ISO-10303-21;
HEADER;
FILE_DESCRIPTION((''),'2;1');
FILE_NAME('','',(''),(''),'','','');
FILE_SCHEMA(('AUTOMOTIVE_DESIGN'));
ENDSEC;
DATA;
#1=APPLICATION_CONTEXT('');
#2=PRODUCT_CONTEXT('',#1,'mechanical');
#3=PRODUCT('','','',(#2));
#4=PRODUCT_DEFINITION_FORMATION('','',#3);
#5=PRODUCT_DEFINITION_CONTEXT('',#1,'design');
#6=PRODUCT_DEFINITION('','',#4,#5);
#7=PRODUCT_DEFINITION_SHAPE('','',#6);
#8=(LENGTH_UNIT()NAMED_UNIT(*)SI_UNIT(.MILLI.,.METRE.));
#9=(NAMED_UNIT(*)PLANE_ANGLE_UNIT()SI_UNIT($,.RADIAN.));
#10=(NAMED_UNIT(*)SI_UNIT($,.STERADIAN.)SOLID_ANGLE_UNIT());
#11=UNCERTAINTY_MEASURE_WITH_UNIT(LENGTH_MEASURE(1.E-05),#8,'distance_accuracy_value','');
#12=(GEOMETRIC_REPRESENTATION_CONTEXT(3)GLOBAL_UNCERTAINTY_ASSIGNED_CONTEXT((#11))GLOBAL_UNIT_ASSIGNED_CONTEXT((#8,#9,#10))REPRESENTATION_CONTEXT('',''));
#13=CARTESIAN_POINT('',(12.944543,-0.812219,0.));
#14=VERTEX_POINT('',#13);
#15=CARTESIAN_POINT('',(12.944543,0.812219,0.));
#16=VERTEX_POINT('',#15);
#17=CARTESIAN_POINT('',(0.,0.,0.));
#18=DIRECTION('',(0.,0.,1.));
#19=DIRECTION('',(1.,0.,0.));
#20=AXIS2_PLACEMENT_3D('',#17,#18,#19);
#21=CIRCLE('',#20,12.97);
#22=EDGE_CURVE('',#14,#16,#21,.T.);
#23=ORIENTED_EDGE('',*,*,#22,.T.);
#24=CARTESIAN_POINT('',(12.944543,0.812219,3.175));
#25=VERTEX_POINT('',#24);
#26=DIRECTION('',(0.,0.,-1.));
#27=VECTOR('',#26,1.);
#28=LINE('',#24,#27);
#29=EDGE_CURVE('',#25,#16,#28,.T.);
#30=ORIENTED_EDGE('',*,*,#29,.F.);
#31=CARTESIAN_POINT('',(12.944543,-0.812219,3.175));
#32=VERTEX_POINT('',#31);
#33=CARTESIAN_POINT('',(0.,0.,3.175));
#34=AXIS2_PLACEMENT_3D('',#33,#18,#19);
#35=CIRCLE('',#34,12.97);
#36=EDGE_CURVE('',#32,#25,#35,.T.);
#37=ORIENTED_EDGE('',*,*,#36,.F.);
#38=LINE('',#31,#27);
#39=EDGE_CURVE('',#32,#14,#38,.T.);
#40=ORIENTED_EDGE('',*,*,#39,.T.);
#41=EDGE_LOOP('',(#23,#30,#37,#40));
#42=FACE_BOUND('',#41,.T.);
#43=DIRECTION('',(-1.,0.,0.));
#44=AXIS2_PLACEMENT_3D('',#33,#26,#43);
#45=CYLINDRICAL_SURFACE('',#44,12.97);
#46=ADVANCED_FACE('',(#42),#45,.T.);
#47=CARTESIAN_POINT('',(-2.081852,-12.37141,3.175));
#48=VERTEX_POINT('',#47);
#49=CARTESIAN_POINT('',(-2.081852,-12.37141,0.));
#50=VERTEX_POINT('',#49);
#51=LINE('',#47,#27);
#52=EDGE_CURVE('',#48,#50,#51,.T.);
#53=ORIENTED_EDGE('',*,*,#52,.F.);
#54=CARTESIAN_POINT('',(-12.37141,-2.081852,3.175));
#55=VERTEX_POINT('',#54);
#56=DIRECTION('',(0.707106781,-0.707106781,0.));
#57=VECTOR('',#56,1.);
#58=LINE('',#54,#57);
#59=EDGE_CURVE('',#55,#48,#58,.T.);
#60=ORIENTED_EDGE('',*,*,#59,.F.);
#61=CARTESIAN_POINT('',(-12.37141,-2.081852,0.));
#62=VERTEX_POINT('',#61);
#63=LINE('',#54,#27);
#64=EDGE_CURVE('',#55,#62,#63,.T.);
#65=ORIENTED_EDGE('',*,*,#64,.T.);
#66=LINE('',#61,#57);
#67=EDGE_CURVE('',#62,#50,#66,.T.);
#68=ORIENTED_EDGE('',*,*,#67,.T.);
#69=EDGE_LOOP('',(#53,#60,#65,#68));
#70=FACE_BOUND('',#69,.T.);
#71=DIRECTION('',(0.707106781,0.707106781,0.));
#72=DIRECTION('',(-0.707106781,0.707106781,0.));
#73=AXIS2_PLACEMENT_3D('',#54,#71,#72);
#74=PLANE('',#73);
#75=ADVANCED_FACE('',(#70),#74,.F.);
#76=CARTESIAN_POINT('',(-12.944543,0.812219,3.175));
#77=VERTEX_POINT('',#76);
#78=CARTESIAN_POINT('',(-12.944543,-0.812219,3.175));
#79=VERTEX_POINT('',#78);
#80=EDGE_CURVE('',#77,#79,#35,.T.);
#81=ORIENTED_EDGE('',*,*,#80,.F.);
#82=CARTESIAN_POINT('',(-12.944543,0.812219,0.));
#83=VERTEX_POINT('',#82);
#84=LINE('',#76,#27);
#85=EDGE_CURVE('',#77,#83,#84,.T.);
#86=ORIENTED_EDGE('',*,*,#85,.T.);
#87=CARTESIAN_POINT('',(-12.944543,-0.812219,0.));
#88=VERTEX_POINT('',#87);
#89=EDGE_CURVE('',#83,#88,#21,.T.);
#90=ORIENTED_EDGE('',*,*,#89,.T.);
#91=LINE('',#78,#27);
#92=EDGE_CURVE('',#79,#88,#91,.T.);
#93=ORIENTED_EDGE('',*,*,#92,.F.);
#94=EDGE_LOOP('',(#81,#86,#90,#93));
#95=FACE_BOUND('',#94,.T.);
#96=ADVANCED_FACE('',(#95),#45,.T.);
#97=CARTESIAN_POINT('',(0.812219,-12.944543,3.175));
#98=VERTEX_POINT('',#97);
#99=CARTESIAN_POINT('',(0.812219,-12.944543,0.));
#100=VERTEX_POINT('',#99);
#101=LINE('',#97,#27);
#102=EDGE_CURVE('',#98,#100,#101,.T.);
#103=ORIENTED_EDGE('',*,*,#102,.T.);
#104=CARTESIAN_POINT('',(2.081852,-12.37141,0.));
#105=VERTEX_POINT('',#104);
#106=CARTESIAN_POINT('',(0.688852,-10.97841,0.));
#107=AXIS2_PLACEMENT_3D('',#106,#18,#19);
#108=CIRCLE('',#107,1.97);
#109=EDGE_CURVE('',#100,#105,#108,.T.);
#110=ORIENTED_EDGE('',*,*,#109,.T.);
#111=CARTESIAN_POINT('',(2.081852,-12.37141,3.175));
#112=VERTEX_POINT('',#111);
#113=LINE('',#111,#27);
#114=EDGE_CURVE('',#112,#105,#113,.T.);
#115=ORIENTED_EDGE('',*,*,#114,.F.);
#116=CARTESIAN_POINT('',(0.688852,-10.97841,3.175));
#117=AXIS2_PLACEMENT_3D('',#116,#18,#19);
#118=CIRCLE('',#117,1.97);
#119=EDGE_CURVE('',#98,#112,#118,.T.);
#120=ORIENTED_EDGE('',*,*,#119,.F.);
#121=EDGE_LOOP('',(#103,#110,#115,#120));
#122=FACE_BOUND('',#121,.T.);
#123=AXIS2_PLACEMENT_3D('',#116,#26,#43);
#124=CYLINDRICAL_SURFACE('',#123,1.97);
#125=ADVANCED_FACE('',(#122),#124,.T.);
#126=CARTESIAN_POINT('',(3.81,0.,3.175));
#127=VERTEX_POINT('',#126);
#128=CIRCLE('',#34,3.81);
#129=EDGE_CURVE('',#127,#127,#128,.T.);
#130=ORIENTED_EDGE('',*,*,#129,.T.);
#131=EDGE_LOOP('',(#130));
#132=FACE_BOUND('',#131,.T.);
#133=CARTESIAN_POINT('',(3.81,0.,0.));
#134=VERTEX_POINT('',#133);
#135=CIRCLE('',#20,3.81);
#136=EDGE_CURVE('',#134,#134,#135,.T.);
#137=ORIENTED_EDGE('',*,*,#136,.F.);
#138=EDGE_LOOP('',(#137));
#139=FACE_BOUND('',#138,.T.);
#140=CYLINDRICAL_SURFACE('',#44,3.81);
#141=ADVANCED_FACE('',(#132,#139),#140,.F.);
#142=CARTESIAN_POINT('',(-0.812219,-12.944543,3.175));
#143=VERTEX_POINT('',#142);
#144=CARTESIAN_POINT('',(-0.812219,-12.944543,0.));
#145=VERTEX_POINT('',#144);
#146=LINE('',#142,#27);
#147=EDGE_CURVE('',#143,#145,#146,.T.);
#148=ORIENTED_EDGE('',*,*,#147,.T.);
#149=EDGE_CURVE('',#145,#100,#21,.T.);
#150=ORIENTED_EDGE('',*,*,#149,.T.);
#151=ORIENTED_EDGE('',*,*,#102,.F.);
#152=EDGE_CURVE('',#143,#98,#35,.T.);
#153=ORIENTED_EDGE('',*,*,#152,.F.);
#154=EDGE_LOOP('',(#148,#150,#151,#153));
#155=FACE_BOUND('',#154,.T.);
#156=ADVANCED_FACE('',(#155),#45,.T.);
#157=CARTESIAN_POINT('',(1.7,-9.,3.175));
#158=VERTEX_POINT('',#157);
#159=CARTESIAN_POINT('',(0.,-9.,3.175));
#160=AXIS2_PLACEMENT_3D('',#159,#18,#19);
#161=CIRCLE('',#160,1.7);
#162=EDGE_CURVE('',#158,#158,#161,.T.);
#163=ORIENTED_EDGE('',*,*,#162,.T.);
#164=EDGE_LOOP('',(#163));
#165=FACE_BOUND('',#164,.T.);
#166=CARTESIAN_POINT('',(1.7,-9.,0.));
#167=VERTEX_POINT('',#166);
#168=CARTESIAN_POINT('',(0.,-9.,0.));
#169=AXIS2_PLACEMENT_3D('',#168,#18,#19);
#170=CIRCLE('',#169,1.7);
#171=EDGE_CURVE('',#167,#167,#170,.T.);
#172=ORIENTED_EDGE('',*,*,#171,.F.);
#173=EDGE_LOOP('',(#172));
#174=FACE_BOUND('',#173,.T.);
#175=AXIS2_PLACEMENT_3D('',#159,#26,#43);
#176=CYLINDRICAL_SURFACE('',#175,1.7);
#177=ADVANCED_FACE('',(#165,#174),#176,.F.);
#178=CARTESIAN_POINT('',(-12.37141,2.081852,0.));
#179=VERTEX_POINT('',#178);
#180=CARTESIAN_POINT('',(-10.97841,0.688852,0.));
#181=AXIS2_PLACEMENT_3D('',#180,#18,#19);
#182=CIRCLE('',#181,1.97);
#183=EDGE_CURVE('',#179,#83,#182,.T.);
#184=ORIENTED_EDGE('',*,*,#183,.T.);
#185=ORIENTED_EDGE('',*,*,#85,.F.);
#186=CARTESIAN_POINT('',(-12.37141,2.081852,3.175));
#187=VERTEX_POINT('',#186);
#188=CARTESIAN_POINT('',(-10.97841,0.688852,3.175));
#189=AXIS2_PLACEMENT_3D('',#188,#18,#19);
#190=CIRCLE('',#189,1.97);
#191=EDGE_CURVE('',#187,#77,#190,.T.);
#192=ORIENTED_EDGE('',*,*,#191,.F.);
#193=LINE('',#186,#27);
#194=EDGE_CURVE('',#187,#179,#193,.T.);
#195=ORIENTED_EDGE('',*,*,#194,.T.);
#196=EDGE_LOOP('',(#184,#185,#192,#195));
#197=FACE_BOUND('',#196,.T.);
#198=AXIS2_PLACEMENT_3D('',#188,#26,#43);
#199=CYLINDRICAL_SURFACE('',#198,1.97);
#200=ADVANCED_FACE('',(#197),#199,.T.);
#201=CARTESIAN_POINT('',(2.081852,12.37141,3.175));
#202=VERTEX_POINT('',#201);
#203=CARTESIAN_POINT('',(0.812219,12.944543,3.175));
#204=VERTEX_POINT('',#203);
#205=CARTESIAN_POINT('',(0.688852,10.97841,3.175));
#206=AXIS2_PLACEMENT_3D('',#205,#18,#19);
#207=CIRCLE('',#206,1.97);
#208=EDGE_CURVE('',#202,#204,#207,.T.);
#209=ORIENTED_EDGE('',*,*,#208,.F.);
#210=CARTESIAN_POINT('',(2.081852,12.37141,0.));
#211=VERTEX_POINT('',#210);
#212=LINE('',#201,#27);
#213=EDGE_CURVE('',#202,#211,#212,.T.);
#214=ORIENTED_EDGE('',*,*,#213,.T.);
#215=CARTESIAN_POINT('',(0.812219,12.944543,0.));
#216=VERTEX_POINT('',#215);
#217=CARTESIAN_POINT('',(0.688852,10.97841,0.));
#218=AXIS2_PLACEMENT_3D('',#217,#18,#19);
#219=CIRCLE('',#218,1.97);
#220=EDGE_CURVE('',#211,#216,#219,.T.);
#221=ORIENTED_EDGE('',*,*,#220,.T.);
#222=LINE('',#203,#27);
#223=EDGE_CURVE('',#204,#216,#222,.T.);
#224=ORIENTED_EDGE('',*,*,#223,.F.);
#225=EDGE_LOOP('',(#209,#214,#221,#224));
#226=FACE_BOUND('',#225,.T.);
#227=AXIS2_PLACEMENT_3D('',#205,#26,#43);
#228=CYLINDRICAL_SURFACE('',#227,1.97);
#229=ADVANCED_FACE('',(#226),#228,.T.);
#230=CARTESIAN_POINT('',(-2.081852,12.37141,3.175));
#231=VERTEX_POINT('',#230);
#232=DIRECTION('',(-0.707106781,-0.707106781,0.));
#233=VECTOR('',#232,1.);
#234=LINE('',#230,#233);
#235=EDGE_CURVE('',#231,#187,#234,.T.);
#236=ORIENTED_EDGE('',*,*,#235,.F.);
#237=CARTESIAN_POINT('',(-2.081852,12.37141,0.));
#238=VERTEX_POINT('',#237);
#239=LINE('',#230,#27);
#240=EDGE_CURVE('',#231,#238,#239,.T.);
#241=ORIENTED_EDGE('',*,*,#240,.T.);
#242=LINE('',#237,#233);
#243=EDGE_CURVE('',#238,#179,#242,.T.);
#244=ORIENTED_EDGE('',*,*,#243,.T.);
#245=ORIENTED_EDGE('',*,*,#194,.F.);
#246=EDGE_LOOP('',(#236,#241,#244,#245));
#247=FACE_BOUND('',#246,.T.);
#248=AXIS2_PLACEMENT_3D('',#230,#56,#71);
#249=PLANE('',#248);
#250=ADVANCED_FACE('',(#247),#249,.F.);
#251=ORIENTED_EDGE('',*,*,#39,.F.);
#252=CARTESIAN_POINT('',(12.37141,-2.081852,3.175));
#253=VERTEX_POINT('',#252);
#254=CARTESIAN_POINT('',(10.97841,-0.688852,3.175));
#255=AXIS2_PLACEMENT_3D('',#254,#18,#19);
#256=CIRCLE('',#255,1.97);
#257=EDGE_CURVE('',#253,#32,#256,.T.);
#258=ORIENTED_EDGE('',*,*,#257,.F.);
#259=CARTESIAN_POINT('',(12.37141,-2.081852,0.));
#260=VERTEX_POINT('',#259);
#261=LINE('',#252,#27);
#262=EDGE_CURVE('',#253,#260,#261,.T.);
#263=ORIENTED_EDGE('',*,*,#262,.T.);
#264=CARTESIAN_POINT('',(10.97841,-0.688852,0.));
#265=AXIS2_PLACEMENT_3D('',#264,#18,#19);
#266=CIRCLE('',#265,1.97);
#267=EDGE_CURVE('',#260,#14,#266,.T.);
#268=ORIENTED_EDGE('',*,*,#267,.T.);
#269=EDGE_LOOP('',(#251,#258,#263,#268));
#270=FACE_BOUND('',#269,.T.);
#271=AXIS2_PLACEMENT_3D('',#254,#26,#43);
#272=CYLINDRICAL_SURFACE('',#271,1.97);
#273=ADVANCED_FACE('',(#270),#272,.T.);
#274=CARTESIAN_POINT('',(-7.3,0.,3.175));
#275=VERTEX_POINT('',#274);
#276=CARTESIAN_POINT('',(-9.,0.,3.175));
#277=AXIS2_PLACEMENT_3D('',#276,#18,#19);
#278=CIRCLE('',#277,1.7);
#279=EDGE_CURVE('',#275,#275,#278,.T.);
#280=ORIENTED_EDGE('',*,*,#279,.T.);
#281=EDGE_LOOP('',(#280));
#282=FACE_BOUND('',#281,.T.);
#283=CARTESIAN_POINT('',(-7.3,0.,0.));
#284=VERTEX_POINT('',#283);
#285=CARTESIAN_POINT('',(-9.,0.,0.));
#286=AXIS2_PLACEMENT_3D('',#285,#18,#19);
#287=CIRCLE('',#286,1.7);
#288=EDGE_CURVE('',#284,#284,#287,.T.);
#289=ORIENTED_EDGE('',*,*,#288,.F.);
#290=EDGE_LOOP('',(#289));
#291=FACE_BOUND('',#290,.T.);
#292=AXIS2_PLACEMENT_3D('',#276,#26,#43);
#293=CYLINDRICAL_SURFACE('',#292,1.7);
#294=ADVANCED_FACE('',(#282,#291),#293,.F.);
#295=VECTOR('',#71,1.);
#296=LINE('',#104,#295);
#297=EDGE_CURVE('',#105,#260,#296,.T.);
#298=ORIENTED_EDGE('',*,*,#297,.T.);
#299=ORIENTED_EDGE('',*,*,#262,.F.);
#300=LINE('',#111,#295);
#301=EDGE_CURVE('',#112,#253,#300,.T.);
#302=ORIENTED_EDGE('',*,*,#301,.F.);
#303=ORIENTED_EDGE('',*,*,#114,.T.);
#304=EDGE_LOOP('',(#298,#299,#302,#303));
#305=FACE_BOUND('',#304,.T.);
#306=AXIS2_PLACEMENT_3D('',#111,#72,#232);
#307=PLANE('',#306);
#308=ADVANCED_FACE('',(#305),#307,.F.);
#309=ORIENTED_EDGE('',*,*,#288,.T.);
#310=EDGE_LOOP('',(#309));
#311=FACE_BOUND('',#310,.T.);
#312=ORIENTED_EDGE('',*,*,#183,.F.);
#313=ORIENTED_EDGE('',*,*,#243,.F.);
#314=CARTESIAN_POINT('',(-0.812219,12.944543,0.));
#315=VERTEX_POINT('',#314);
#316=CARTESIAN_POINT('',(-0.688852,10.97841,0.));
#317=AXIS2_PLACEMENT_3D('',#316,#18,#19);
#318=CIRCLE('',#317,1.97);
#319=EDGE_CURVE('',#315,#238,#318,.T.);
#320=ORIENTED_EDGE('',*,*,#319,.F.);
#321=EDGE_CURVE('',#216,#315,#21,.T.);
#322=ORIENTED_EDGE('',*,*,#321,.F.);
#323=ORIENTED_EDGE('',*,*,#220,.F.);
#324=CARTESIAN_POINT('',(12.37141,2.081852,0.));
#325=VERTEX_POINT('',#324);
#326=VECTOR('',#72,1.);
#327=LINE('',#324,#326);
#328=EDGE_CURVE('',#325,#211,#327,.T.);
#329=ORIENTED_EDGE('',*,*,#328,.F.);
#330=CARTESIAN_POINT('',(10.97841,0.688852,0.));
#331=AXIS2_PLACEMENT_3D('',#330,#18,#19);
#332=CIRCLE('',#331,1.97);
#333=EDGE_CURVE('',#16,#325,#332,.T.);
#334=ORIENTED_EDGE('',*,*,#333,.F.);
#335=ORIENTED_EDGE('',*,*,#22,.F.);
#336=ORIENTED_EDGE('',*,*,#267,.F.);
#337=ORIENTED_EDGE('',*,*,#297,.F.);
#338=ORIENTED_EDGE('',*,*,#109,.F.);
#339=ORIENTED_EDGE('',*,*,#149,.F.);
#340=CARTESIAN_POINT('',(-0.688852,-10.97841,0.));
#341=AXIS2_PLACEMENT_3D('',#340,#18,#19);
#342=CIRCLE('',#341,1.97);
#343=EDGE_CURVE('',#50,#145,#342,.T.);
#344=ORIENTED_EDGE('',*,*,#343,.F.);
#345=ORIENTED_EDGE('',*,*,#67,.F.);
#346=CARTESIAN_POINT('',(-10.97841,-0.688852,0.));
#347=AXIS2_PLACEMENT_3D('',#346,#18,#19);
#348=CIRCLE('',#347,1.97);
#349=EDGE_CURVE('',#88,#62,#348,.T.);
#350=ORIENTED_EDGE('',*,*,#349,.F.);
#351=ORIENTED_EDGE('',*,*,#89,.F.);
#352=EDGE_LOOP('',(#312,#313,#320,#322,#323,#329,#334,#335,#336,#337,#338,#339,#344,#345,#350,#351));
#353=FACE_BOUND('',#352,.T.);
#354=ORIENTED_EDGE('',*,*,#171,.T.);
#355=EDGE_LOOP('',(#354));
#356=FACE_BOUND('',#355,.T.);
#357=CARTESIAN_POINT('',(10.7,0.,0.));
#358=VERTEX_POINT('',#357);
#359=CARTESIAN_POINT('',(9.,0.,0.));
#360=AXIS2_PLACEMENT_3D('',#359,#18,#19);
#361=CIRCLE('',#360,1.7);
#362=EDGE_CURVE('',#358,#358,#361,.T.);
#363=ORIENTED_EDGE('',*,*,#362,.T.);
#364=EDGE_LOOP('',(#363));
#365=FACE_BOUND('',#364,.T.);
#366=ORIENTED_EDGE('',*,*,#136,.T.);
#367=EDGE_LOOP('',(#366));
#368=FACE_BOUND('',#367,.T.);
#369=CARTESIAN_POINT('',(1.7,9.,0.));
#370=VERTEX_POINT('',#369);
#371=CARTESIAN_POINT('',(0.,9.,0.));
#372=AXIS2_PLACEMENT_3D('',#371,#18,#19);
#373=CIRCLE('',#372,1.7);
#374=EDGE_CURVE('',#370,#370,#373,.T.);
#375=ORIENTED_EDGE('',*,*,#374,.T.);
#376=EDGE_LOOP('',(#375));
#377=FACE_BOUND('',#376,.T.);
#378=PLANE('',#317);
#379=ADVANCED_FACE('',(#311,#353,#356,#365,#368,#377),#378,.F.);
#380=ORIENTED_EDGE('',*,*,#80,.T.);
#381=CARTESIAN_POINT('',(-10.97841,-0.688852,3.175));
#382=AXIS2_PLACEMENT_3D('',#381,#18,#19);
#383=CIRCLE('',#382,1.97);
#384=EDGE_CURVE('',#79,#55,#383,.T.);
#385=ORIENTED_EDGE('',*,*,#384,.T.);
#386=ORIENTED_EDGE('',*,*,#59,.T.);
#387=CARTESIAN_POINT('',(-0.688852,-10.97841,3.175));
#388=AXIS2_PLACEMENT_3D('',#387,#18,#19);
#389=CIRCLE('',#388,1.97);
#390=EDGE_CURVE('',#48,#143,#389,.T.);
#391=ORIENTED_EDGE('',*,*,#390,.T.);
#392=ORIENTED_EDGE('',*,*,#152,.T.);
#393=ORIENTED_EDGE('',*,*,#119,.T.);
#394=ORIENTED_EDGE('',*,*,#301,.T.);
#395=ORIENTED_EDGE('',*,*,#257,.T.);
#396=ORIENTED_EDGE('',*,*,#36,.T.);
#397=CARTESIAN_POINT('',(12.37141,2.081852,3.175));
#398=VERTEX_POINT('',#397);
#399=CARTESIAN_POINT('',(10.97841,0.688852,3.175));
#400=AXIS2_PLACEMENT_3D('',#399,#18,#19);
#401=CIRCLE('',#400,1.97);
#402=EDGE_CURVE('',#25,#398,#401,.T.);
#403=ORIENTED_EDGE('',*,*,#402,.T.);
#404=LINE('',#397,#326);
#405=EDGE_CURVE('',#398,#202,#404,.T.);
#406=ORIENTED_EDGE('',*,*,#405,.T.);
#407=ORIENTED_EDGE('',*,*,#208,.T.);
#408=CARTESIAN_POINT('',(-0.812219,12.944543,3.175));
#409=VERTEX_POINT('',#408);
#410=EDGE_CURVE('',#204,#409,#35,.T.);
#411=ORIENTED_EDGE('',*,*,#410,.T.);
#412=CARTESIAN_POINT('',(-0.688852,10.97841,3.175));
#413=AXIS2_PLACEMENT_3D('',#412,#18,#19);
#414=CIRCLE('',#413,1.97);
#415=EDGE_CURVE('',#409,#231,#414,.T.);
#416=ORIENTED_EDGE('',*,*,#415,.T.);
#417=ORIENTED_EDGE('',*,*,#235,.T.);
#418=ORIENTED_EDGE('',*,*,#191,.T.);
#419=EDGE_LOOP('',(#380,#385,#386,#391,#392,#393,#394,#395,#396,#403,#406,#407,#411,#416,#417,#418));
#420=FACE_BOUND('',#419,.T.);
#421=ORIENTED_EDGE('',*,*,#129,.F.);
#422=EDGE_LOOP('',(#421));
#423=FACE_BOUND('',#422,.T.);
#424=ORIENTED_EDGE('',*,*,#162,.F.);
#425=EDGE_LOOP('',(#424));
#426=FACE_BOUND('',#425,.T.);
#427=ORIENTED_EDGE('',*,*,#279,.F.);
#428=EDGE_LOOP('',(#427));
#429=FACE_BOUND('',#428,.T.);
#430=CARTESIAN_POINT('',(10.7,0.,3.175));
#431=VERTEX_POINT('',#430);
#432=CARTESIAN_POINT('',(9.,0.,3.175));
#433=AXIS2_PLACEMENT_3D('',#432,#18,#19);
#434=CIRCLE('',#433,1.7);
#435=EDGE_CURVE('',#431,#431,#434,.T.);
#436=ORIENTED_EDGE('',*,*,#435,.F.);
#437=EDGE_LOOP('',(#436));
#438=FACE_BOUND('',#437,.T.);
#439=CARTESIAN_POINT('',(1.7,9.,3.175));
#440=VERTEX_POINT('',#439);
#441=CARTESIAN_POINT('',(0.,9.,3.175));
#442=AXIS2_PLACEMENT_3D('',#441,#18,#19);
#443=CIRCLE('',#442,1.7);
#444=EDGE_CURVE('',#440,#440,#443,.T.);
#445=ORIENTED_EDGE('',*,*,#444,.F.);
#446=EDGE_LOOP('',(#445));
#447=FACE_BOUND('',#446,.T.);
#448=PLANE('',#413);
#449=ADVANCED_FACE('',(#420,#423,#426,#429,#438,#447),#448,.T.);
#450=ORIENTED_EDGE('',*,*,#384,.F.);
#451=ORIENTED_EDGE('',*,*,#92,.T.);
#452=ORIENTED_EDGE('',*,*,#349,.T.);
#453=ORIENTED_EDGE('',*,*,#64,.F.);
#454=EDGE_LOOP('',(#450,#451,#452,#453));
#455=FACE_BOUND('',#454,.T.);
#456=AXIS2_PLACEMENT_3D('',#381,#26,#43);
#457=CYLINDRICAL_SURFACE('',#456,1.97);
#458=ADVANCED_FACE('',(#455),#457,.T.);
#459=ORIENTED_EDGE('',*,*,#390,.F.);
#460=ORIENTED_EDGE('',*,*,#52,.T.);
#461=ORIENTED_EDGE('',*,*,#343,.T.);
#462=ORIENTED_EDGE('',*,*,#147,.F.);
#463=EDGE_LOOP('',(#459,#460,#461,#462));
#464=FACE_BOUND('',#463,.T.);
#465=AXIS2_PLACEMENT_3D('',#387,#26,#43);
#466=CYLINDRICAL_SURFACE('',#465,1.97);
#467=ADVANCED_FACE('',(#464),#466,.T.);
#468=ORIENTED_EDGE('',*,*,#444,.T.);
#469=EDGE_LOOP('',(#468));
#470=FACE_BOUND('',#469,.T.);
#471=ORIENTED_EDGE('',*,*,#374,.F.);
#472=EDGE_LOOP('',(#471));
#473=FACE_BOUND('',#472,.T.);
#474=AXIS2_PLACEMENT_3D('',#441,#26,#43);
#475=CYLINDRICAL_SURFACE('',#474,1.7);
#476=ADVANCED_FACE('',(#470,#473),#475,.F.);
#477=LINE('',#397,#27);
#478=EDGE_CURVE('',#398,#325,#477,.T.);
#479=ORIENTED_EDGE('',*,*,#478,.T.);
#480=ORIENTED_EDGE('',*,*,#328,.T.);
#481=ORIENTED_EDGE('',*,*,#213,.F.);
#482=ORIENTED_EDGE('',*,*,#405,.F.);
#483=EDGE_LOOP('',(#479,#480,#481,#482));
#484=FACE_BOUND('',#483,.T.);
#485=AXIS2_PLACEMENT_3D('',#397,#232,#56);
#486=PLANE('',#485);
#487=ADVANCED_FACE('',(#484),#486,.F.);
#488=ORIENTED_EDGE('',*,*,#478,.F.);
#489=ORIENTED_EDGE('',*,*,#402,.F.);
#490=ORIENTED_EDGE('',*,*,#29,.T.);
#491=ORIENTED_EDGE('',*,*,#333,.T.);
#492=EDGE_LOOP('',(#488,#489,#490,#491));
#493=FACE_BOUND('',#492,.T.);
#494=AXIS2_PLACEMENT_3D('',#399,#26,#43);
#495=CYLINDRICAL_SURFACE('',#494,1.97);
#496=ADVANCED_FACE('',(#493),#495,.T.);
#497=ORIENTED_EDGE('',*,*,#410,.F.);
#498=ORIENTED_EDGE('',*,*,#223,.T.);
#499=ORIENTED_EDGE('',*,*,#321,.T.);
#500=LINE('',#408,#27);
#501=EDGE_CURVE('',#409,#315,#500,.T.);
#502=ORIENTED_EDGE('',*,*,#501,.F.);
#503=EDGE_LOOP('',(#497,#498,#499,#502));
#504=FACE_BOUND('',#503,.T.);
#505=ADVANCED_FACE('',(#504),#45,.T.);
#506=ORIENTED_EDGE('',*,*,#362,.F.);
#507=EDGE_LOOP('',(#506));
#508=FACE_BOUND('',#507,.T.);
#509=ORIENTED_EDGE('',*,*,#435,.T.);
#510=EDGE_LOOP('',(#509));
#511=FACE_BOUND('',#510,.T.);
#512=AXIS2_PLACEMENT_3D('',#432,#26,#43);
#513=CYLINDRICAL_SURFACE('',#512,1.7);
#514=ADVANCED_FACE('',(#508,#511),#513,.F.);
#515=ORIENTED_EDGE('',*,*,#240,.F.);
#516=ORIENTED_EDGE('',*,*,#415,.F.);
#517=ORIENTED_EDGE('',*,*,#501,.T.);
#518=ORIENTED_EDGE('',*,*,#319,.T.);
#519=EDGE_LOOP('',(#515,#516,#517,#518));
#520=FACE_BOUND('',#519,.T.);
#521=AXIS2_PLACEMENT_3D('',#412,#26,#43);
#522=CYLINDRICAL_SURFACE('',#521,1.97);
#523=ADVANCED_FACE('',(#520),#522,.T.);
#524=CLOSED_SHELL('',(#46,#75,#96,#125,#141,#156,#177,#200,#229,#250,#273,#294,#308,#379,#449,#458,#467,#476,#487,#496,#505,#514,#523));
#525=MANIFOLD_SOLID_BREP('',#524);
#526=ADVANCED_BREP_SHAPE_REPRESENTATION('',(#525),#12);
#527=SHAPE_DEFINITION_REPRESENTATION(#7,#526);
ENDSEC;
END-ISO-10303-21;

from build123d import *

# Parameters (mm, degrees)
SKETCH1_R           = 1.7
SKETCH1_R_2         = 3.81
BOSS_EXTRUDE1_DEPTH = 3.175


with BuildPart() as part:
    # Sketch1 → Boss-Extrude1 (new body)
    with BuildSketch(Plane.XY):
        with BuildLine():
            Line((-2.081852397, 12.371410211), (-12.371410211, 2.081852397))
            ThreePointArc((-12.371410211, 2.081852397), (-12.773942372, 1.499384559), (-12.944543252, 0.812219176))
            ThreePointArc((-12.944543252, 0.812219176), (-12.97, 0), (-12.944543252, -0.812219176))
            ThreePointArc((-12.944543252, -0.812219176), (-12.773942372, -1.499384559), (-12.371410211, -2.081852397))
            Line((-12.371410211, -2.081852397), (-2.081852397, -12.371410211))
            ThreePointArc((-2.081852397, -12.371410211), (-1.499384559, -12.773942372), (-0.812219176, -12.944543252))
            ThreePointArc((-0.812219176, -12.944543252), (0, -12.97), (0.812219176, -12.944543252))
            ThreePointArc((0.812219176, -12.944543252), (1.499384559, -12.773942372), (2.081852397, -12.371410211))
            Line((2.081852397, -12.371410211), (12.371410211, -2.081852397))
            ThreePointArc((12.371410211, -2.081852397), (12.773942372, -1.499384559), (12.944543252, -0.812219176))
            ThreePointArc((12.944543252, -0.812219176), (12.97, 0), (12.944543252, 0.812219176))
            ThreePointArc((12.944543252, 0.812219176), (12.773942372, 1.499384559), (12.371410211, 2.081852397))
            Line((12.371410211, 2.081852397), (2.081852397, 12.371410211))
            ThreePointArc((2.081852397, 12.371410211), (1.499384559, 12.773942372), (0.812219176, 12.944543252))
            ThreePointArc((0.812219176, 12.944543252), (0, 12.97), (-0.812219176, 12.944543252))
            ThreePointArc((-0.812219176, 12.944543252), (-1.499384559, 12.773942372), (-2.081852397, 12.371410211))
        make_face()
        with Locations((0, -9)):
            Circle(SKETCH1_R, mode=Mode.SUBTRACT)
        with Locations((-9, 0)):
            Circle(SKETCH1_R, mode=Mode.SUBTRACT)
        with Locations((0, 9)):
            Circle(SKETCH1_R, mode=Mode.SUBTRACT)
        with Locations((9, 0)):
            Circle(SKETCH1_R, mode=Mode.SUBTRACT)
        Circle(SKETCH1_R_2, mode=Mode.SUBTRACT)
    extrude(amount=BOSS_EXTRUDE1_DEPTH)


solid = part.part
